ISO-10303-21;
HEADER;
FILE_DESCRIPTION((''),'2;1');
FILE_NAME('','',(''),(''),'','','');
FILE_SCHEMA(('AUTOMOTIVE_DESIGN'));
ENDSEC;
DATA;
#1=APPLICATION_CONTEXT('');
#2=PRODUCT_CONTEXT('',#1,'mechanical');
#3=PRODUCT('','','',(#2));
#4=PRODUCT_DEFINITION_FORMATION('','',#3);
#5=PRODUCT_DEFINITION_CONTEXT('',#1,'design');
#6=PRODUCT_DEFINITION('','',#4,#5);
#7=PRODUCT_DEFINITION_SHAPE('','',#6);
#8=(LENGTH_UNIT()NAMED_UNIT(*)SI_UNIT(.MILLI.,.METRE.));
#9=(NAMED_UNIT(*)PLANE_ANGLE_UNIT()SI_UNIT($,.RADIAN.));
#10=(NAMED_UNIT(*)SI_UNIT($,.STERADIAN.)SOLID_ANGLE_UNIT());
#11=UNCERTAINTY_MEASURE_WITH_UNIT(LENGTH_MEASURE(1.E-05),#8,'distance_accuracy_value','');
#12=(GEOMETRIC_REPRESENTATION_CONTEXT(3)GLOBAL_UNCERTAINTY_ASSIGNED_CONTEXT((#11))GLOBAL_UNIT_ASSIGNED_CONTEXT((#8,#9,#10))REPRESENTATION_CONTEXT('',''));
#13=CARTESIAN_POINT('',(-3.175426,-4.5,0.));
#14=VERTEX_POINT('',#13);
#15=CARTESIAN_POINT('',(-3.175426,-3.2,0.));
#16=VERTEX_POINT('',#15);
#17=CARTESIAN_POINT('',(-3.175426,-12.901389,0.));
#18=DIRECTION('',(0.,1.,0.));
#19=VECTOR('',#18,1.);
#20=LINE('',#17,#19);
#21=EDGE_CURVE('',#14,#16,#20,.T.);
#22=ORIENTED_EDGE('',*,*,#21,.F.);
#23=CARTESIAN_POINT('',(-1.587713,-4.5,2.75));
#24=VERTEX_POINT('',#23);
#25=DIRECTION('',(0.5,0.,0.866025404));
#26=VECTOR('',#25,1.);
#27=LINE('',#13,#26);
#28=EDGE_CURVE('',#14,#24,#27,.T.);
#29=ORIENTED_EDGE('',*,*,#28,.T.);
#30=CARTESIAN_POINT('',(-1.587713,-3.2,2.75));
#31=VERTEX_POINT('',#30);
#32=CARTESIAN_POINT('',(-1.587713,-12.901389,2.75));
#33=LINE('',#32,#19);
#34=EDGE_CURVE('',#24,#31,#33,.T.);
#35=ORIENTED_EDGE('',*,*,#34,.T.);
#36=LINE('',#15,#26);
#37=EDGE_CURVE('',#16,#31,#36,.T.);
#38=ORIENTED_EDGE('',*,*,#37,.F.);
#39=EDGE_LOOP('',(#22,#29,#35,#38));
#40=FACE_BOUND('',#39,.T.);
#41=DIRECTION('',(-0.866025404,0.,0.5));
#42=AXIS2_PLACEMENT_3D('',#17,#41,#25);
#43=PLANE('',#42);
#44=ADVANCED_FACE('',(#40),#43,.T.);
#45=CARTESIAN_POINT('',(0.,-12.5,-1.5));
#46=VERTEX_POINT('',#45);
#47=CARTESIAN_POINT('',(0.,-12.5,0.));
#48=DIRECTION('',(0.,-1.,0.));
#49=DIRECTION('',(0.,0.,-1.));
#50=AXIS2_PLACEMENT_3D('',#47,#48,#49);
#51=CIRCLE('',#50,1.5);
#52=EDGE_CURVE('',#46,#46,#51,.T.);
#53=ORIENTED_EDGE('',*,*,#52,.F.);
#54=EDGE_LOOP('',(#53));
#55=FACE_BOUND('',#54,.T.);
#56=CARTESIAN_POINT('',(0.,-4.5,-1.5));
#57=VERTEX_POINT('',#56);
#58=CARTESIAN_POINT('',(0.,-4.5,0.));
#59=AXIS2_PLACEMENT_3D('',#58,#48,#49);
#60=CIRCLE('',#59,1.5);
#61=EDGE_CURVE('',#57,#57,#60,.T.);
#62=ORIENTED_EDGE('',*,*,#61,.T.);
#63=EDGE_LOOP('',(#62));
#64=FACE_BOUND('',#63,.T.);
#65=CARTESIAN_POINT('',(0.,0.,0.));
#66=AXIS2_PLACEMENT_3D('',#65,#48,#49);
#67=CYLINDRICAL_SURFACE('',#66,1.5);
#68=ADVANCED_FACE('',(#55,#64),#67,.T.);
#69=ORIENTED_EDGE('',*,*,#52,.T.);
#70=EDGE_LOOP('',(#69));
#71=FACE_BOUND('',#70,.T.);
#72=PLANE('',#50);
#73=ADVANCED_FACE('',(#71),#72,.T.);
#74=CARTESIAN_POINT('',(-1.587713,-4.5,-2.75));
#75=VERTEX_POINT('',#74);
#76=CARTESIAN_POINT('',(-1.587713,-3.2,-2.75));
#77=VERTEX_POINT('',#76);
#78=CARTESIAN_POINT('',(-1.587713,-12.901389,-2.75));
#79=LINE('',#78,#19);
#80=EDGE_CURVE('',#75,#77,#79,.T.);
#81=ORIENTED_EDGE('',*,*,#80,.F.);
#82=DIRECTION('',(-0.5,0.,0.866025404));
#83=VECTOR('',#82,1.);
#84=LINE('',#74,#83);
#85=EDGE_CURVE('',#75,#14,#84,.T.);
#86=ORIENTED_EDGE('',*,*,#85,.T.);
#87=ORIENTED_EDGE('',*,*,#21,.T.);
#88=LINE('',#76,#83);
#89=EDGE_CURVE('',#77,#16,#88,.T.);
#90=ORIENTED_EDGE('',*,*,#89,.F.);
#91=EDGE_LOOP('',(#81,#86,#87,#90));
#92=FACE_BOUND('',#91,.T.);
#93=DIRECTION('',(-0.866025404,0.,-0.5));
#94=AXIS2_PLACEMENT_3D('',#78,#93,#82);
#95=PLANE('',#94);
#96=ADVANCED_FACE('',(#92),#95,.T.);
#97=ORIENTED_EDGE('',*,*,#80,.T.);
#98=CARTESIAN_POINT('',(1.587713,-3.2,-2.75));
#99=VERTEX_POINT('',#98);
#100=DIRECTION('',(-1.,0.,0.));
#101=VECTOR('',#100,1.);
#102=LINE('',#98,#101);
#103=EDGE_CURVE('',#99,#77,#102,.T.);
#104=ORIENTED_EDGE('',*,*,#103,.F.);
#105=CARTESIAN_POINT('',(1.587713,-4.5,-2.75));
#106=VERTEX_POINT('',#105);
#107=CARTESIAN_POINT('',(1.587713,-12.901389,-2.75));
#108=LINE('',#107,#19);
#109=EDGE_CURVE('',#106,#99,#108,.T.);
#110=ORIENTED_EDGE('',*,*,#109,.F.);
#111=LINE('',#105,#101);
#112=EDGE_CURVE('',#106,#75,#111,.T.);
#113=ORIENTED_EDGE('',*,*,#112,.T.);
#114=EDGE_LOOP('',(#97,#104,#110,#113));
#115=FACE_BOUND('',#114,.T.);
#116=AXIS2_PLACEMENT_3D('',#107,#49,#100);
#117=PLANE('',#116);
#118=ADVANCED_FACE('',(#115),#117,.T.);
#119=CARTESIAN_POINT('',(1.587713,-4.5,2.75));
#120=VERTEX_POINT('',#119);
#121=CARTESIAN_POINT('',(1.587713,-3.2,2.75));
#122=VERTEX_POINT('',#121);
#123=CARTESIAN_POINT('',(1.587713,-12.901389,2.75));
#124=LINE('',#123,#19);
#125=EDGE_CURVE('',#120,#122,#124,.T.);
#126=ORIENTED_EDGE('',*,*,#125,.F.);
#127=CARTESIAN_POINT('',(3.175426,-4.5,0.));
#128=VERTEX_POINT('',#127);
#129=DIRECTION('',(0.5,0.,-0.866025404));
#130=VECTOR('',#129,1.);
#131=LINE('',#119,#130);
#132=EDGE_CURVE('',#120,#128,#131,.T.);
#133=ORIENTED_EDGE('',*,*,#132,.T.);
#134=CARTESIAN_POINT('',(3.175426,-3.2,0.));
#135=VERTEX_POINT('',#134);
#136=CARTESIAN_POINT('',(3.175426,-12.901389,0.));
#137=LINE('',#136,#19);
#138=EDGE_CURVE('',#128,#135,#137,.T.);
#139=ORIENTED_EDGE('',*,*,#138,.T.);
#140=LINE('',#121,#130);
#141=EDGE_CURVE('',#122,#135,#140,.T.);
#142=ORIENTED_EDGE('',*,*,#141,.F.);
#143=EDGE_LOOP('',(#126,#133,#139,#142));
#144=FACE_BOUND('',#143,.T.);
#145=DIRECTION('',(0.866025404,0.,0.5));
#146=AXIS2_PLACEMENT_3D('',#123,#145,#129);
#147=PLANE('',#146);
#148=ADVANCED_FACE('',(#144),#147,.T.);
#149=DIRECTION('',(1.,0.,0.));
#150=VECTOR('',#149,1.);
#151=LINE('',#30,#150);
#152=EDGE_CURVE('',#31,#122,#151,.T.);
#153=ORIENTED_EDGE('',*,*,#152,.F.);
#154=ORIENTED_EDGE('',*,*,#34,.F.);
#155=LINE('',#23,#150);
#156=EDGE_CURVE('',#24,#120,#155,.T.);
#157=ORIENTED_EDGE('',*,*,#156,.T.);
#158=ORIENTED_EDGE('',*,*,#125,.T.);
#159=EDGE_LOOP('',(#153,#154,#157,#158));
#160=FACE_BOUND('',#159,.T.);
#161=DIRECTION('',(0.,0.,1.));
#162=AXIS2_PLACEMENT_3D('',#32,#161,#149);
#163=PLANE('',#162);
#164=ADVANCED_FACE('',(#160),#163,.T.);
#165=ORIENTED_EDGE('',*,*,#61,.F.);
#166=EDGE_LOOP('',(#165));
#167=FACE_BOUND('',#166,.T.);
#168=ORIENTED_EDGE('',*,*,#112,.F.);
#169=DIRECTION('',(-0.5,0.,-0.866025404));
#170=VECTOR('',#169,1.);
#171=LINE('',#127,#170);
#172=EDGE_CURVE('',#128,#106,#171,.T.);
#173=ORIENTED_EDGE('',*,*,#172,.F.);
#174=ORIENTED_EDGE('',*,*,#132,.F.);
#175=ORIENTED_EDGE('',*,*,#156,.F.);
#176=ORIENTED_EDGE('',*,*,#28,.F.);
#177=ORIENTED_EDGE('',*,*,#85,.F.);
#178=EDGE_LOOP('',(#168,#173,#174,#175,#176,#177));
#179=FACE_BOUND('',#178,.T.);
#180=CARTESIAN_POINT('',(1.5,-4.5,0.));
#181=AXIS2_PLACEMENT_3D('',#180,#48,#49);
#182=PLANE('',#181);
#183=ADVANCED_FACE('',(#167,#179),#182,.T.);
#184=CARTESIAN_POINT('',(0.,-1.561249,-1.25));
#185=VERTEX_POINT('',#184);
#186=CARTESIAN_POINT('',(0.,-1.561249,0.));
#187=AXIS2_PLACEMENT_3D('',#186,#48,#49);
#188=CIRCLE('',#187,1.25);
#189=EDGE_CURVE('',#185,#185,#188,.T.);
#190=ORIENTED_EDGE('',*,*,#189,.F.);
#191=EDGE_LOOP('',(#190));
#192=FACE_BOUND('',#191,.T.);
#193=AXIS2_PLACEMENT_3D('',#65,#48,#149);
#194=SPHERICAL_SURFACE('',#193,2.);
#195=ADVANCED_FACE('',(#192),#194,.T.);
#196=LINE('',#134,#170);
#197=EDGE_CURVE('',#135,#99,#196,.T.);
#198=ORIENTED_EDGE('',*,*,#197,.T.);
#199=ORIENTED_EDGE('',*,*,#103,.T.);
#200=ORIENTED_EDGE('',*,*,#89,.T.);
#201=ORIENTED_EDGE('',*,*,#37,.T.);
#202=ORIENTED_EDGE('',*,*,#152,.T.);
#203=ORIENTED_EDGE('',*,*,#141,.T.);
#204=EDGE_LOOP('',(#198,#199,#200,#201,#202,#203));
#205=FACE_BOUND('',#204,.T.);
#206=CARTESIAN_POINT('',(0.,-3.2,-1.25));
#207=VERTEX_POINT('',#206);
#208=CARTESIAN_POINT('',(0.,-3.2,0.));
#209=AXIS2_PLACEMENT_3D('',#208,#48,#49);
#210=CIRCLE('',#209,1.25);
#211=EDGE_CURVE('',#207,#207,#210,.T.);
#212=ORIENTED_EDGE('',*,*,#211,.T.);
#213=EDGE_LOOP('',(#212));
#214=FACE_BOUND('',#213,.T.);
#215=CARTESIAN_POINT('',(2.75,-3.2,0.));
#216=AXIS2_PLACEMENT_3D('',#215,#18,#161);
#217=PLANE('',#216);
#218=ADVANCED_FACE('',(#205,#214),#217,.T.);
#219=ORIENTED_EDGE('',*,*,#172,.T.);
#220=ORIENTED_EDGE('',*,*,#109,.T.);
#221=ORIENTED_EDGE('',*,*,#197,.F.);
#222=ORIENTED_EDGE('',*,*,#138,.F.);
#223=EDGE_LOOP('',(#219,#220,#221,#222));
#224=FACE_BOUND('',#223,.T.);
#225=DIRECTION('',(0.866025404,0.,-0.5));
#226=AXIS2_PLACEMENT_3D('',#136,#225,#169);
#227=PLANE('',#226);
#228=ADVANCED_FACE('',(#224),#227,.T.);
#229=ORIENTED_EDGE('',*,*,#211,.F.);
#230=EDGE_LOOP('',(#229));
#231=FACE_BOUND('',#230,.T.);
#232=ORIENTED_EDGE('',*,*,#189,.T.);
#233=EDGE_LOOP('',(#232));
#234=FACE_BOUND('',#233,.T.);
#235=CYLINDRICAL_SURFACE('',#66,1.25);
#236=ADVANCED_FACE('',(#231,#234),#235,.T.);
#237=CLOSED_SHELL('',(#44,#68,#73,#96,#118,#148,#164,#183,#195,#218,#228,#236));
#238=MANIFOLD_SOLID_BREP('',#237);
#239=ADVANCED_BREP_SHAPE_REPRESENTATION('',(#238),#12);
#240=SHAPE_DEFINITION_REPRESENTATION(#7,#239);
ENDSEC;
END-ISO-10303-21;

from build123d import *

# Parameters (mm, degrees)
BOSS_EXTRU_1_DEPTH = 1.3


with BuildPart() as part:
    # Esquisse1 → Révolution1 (revolve)
    with BuildSketch(Plane.XY, mode=Mode.PRIVATE) as r_volution1_sk:
        with BuildLine():
            Line((0, 2), (0, -12.5))
            Line((0, -12.5), (1.5, -12.5))
            Line((1.5, -12.5), (1.5, -4.5))
            Line((1.5, -4.5), (2.75, -4.5))
            Line((2.75, -4.5), (2.75, -3.2))
            Line((2.75, -3.2), (1.25, -3.2))
            Line((1.25, -3.2), (1.25, -1.5612495))
            ThreePointArc((1.25, -1.5612495), (1.887127314, 0.662382443), (0, 2))
        make_face()
    revolve(r_volution1_sk.sketch.rotate(Axis((0, 0, 0), (0, 1, 0)), 90), axis=Axis((0, 0, 0), (0, 1, 0)))

    # Esquisse2 → Boss.-Extru.1 (add)
    with BuildSketch(Plane(origin=(0, -3.2, 0), x_dir=(1, 0, 0), z_dir=(0, 1, 0))):
        Polygon((1.58771324, 2.75), (-1.58771324, 2.75), (-3.175426481, 0), (-1.58771324, -2.75), (1.58771324, -2.75), (3.175426481, 0), align=None)
    extrude(amount=-BOSS_EXTRU_1_DEPTH)


solid = part.part
